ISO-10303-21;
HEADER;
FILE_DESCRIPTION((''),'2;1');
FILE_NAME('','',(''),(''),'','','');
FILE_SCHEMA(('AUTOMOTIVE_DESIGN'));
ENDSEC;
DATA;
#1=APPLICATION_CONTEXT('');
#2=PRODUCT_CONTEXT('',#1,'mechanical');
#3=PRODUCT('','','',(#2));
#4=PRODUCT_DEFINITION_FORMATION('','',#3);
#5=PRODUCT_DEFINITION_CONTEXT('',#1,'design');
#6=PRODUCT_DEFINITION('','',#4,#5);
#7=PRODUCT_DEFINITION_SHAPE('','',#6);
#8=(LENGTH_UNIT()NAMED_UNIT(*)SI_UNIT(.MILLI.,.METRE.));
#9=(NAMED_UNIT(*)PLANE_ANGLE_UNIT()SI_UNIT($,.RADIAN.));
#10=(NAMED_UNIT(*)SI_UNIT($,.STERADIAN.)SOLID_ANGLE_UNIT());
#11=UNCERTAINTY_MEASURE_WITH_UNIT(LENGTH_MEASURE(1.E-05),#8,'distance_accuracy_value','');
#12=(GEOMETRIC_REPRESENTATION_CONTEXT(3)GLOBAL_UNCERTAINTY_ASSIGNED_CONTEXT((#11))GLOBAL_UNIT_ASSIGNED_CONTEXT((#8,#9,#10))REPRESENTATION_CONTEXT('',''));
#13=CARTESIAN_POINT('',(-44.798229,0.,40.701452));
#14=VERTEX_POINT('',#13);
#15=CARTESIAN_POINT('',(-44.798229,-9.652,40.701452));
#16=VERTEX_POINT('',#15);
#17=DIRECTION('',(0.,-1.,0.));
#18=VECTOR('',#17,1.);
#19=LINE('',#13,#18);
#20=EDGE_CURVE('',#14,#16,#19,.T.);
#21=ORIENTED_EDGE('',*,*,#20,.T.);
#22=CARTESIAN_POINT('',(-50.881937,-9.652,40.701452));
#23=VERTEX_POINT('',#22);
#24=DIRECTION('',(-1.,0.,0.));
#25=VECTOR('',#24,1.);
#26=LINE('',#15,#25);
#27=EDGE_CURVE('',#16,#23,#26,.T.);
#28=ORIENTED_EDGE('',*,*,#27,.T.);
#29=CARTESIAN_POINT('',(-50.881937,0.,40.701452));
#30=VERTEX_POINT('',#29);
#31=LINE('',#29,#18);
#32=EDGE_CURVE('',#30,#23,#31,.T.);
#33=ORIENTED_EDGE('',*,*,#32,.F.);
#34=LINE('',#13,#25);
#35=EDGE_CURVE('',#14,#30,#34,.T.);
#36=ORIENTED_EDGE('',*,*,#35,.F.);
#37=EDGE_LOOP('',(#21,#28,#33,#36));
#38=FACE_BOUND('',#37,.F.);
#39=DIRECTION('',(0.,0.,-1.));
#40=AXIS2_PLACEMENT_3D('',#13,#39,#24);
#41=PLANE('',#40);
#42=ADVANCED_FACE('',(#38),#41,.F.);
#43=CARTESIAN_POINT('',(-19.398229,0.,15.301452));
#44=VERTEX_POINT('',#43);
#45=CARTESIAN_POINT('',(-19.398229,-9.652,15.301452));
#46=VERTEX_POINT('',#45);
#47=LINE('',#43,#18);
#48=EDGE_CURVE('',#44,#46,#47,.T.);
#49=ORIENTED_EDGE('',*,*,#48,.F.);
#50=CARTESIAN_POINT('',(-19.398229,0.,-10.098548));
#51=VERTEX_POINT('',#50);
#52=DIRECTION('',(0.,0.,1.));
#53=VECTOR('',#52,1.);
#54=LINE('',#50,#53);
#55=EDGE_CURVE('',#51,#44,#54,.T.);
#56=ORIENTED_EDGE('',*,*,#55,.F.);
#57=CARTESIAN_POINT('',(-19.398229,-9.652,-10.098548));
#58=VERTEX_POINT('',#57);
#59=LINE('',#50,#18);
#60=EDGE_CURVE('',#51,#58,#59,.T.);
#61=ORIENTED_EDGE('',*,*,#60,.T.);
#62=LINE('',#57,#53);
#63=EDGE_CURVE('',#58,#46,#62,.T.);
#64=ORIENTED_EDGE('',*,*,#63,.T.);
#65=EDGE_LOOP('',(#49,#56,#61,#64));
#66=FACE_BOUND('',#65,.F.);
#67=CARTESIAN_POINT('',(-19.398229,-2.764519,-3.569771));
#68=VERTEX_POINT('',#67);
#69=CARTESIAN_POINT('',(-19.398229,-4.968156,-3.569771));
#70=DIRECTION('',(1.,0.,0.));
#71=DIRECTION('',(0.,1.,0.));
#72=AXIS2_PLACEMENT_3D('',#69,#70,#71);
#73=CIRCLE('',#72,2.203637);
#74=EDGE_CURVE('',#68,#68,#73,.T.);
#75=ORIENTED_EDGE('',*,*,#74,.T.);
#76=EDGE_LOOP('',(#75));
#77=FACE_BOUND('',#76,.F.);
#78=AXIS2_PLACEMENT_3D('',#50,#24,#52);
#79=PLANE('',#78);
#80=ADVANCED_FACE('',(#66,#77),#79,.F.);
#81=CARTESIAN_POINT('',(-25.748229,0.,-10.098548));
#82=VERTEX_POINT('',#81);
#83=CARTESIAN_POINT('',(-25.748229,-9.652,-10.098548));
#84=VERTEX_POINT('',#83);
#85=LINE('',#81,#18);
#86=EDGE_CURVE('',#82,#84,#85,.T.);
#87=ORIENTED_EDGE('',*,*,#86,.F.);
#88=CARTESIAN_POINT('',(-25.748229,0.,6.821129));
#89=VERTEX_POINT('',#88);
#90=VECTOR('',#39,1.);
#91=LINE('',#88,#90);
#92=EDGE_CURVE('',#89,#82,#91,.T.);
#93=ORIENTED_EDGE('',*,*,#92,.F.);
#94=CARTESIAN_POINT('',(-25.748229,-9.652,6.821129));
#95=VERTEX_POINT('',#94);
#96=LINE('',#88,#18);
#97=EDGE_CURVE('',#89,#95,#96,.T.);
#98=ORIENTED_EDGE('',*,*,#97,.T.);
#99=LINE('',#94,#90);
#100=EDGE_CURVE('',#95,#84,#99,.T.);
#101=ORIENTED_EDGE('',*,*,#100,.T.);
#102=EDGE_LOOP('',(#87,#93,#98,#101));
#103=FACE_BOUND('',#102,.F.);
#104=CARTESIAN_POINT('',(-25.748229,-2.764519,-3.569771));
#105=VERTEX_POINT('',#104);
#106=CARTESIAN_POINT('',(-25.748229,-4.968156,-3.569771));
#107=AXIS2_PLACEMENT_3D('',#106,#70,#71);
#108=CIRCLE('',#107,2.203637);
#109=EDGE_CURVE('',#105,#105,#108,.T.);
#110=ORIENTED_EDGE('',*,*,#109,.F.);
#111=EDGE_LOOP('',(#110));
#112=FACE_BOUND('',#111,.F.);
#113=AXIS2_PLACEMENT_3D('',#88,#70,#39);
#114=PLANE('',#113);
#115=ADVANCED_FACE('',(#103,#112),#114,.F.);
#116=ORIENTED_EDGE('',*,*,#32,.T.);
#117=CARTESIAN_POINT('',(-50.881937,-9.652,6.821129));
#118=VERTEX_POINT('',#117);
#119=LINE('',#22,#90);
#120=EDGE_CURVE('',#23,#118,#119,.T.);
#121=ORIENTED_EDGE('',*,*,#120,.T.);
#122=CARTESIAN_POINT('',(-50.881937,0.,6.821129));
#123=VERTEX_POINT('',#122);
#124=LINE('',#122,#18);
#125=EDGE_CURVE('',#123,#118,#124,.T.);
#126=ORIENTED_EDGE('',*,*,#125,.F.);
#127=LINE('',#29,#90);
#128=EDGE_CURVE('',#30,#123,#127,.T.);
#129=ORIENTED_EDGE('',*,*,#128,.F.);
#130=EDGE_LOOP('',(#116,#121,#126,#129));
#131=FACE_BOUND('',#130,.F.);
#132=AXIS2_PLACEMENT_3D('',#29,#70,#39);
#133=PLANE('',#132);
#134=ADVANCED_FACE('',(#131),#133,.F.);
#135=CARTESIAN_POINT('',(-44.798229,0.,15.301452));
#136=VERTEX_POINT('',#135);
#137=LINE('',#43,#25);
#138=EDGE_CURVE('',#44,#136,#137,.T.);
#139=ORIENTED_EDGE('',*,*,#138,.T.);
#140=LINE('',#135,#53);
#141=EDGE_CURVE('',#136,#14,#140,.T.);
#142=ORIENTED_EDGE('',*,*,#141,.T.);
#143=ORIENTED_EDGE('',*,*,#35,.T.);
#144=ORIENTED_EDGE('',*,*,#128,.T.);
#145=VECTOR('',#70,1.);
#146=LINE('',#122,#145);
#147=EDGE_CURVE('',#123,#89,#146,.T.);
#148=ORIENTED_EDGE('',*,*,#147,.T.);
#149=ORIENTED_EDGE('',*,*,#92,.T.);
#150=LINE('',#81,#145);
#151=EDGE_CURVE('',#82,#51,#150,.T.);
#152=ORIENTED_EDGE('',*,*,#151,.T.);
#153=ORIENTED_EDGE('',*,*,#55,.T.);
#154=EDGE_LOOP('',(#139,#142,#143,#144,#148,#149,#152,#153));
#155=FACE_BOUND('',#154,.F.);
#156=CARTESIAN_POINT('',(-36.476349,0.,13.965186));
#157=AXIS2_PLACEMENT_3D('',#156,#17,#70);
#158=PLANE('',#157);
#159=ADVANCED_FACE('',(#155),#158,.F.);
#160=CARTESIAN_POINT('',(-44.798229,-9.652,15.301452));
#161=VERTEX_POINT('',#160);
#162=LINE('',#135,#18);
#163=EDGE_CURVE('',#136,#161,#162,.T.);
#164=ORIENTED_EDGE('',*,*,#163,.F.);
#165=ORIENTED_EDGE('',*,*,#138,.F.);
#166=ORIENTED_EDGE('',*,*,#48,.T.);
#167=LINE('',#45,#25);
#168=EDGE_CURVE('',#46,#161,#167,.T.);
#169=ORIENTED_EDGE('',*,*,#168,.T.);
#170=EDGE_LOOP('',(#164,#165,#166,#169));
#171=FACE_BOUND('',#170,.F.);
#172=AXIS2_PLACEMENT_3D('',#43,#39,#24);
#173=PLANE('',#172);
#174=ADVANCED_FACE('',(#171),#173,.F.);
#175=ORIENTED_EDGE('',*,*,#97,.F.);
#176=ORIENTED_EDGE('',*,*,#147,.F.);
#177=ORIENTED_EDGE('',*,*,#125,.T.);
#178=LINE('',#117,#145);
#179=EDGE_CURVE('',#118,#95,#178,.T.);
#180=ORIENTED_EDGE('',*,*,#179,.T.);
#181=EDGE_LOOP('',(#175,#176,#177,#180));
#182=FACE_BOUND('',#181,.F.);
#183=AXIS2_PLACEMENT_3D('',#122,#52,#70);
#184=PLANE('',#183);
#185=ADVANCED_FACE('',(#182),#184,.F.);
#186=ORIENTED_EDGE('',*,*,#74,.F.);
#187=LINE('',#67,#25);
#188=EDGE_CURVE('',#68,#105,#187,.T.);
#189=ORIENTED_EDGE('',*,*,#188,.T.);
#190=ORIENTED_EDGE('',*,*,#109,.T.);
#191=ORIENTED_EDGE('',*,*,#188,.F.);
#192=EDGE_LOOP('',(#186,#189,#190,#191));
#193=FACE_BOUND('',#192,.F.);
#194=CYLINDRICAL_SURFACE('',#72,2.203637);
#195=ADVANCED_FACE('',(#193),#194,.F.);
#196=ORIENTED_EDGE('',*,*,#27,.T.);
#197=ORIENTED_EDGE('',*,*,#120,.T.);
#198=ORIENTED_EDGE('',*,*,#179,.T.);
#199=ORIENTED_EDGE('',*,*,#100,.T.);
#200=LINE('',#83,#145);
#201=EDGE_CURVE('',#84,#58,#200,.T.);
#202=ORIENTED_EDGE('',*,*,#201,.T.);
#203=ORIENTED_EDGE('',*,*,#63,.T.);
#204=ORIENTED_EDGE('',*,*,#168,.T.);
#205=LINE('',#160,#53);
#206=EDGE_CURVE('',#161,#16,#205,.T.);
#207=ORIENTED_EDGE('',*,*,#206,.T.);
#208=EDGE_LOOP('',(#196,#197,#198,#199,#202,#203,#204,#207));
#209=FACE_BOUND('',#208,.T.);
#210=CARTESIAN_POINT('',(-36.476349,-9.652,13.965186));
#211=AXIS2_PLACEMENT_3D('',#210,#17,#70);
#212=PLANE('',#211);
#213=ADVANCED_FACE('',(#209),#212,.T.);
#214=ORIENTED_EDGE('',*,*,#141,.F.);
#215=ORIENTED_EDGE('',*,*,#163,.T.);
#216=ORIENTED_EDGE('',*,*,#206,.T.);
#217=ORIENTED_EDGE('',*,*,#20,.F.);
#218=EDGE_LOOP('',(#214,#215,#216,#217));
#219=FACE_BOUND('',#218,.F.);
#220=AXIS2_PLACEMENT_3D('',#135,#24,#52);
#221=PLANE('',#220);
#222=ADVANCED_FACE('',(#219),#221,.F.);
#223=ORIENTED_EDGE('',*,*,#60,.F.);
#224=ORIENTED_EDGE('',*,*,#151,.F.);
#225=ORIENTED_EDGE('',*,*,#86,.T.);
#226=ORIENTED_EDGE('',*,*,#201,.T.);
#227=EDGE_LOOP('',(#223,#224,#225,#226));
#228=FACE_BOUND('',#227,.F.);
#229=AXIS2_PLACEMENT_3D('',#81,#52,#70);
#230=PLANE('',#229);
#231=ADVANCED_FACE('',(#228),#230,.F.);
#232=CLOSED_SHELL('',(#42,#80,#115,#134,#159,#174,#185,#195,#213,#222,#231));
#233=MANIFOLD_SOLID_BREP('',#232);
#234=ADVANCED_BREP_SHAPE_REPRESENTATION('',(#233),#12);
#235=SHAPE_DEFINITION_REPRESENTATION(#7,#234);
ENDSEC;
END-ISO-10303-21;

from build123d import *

# Parameters (mm, degrees)
F1_DEPTH = 9.652
F2_R     = 2.203637
F3_DEPTH = 25.4


with BuildPart() as f1:
    # F0 (on Front) → F1 (new body)
    with BuildSketch(Plane.XZ):
        Polygon((-44.798229, 15.301452), (-44.798229, 40.701452), (-50.881937, 40.701452), (-50.881937, 6.821129), (-25.748229, 6.821129), (-25.748229, -10.098548), (-19.398229, -10.098548), (-19.398229, 15.301452), align=None)
    extrude(amount=F1_DEPTH)

    # F2 (on face) → F3 (cut)
    with BuildSketch(Plane.YZ.offset(-19.398229)):
        with Locations((-4.968156, -3.569771)):
            Circle(F2_R)
    extrude(amount=-F3_DEPTH, mode=Mode.SUBTRACT)


solid = f1.part
